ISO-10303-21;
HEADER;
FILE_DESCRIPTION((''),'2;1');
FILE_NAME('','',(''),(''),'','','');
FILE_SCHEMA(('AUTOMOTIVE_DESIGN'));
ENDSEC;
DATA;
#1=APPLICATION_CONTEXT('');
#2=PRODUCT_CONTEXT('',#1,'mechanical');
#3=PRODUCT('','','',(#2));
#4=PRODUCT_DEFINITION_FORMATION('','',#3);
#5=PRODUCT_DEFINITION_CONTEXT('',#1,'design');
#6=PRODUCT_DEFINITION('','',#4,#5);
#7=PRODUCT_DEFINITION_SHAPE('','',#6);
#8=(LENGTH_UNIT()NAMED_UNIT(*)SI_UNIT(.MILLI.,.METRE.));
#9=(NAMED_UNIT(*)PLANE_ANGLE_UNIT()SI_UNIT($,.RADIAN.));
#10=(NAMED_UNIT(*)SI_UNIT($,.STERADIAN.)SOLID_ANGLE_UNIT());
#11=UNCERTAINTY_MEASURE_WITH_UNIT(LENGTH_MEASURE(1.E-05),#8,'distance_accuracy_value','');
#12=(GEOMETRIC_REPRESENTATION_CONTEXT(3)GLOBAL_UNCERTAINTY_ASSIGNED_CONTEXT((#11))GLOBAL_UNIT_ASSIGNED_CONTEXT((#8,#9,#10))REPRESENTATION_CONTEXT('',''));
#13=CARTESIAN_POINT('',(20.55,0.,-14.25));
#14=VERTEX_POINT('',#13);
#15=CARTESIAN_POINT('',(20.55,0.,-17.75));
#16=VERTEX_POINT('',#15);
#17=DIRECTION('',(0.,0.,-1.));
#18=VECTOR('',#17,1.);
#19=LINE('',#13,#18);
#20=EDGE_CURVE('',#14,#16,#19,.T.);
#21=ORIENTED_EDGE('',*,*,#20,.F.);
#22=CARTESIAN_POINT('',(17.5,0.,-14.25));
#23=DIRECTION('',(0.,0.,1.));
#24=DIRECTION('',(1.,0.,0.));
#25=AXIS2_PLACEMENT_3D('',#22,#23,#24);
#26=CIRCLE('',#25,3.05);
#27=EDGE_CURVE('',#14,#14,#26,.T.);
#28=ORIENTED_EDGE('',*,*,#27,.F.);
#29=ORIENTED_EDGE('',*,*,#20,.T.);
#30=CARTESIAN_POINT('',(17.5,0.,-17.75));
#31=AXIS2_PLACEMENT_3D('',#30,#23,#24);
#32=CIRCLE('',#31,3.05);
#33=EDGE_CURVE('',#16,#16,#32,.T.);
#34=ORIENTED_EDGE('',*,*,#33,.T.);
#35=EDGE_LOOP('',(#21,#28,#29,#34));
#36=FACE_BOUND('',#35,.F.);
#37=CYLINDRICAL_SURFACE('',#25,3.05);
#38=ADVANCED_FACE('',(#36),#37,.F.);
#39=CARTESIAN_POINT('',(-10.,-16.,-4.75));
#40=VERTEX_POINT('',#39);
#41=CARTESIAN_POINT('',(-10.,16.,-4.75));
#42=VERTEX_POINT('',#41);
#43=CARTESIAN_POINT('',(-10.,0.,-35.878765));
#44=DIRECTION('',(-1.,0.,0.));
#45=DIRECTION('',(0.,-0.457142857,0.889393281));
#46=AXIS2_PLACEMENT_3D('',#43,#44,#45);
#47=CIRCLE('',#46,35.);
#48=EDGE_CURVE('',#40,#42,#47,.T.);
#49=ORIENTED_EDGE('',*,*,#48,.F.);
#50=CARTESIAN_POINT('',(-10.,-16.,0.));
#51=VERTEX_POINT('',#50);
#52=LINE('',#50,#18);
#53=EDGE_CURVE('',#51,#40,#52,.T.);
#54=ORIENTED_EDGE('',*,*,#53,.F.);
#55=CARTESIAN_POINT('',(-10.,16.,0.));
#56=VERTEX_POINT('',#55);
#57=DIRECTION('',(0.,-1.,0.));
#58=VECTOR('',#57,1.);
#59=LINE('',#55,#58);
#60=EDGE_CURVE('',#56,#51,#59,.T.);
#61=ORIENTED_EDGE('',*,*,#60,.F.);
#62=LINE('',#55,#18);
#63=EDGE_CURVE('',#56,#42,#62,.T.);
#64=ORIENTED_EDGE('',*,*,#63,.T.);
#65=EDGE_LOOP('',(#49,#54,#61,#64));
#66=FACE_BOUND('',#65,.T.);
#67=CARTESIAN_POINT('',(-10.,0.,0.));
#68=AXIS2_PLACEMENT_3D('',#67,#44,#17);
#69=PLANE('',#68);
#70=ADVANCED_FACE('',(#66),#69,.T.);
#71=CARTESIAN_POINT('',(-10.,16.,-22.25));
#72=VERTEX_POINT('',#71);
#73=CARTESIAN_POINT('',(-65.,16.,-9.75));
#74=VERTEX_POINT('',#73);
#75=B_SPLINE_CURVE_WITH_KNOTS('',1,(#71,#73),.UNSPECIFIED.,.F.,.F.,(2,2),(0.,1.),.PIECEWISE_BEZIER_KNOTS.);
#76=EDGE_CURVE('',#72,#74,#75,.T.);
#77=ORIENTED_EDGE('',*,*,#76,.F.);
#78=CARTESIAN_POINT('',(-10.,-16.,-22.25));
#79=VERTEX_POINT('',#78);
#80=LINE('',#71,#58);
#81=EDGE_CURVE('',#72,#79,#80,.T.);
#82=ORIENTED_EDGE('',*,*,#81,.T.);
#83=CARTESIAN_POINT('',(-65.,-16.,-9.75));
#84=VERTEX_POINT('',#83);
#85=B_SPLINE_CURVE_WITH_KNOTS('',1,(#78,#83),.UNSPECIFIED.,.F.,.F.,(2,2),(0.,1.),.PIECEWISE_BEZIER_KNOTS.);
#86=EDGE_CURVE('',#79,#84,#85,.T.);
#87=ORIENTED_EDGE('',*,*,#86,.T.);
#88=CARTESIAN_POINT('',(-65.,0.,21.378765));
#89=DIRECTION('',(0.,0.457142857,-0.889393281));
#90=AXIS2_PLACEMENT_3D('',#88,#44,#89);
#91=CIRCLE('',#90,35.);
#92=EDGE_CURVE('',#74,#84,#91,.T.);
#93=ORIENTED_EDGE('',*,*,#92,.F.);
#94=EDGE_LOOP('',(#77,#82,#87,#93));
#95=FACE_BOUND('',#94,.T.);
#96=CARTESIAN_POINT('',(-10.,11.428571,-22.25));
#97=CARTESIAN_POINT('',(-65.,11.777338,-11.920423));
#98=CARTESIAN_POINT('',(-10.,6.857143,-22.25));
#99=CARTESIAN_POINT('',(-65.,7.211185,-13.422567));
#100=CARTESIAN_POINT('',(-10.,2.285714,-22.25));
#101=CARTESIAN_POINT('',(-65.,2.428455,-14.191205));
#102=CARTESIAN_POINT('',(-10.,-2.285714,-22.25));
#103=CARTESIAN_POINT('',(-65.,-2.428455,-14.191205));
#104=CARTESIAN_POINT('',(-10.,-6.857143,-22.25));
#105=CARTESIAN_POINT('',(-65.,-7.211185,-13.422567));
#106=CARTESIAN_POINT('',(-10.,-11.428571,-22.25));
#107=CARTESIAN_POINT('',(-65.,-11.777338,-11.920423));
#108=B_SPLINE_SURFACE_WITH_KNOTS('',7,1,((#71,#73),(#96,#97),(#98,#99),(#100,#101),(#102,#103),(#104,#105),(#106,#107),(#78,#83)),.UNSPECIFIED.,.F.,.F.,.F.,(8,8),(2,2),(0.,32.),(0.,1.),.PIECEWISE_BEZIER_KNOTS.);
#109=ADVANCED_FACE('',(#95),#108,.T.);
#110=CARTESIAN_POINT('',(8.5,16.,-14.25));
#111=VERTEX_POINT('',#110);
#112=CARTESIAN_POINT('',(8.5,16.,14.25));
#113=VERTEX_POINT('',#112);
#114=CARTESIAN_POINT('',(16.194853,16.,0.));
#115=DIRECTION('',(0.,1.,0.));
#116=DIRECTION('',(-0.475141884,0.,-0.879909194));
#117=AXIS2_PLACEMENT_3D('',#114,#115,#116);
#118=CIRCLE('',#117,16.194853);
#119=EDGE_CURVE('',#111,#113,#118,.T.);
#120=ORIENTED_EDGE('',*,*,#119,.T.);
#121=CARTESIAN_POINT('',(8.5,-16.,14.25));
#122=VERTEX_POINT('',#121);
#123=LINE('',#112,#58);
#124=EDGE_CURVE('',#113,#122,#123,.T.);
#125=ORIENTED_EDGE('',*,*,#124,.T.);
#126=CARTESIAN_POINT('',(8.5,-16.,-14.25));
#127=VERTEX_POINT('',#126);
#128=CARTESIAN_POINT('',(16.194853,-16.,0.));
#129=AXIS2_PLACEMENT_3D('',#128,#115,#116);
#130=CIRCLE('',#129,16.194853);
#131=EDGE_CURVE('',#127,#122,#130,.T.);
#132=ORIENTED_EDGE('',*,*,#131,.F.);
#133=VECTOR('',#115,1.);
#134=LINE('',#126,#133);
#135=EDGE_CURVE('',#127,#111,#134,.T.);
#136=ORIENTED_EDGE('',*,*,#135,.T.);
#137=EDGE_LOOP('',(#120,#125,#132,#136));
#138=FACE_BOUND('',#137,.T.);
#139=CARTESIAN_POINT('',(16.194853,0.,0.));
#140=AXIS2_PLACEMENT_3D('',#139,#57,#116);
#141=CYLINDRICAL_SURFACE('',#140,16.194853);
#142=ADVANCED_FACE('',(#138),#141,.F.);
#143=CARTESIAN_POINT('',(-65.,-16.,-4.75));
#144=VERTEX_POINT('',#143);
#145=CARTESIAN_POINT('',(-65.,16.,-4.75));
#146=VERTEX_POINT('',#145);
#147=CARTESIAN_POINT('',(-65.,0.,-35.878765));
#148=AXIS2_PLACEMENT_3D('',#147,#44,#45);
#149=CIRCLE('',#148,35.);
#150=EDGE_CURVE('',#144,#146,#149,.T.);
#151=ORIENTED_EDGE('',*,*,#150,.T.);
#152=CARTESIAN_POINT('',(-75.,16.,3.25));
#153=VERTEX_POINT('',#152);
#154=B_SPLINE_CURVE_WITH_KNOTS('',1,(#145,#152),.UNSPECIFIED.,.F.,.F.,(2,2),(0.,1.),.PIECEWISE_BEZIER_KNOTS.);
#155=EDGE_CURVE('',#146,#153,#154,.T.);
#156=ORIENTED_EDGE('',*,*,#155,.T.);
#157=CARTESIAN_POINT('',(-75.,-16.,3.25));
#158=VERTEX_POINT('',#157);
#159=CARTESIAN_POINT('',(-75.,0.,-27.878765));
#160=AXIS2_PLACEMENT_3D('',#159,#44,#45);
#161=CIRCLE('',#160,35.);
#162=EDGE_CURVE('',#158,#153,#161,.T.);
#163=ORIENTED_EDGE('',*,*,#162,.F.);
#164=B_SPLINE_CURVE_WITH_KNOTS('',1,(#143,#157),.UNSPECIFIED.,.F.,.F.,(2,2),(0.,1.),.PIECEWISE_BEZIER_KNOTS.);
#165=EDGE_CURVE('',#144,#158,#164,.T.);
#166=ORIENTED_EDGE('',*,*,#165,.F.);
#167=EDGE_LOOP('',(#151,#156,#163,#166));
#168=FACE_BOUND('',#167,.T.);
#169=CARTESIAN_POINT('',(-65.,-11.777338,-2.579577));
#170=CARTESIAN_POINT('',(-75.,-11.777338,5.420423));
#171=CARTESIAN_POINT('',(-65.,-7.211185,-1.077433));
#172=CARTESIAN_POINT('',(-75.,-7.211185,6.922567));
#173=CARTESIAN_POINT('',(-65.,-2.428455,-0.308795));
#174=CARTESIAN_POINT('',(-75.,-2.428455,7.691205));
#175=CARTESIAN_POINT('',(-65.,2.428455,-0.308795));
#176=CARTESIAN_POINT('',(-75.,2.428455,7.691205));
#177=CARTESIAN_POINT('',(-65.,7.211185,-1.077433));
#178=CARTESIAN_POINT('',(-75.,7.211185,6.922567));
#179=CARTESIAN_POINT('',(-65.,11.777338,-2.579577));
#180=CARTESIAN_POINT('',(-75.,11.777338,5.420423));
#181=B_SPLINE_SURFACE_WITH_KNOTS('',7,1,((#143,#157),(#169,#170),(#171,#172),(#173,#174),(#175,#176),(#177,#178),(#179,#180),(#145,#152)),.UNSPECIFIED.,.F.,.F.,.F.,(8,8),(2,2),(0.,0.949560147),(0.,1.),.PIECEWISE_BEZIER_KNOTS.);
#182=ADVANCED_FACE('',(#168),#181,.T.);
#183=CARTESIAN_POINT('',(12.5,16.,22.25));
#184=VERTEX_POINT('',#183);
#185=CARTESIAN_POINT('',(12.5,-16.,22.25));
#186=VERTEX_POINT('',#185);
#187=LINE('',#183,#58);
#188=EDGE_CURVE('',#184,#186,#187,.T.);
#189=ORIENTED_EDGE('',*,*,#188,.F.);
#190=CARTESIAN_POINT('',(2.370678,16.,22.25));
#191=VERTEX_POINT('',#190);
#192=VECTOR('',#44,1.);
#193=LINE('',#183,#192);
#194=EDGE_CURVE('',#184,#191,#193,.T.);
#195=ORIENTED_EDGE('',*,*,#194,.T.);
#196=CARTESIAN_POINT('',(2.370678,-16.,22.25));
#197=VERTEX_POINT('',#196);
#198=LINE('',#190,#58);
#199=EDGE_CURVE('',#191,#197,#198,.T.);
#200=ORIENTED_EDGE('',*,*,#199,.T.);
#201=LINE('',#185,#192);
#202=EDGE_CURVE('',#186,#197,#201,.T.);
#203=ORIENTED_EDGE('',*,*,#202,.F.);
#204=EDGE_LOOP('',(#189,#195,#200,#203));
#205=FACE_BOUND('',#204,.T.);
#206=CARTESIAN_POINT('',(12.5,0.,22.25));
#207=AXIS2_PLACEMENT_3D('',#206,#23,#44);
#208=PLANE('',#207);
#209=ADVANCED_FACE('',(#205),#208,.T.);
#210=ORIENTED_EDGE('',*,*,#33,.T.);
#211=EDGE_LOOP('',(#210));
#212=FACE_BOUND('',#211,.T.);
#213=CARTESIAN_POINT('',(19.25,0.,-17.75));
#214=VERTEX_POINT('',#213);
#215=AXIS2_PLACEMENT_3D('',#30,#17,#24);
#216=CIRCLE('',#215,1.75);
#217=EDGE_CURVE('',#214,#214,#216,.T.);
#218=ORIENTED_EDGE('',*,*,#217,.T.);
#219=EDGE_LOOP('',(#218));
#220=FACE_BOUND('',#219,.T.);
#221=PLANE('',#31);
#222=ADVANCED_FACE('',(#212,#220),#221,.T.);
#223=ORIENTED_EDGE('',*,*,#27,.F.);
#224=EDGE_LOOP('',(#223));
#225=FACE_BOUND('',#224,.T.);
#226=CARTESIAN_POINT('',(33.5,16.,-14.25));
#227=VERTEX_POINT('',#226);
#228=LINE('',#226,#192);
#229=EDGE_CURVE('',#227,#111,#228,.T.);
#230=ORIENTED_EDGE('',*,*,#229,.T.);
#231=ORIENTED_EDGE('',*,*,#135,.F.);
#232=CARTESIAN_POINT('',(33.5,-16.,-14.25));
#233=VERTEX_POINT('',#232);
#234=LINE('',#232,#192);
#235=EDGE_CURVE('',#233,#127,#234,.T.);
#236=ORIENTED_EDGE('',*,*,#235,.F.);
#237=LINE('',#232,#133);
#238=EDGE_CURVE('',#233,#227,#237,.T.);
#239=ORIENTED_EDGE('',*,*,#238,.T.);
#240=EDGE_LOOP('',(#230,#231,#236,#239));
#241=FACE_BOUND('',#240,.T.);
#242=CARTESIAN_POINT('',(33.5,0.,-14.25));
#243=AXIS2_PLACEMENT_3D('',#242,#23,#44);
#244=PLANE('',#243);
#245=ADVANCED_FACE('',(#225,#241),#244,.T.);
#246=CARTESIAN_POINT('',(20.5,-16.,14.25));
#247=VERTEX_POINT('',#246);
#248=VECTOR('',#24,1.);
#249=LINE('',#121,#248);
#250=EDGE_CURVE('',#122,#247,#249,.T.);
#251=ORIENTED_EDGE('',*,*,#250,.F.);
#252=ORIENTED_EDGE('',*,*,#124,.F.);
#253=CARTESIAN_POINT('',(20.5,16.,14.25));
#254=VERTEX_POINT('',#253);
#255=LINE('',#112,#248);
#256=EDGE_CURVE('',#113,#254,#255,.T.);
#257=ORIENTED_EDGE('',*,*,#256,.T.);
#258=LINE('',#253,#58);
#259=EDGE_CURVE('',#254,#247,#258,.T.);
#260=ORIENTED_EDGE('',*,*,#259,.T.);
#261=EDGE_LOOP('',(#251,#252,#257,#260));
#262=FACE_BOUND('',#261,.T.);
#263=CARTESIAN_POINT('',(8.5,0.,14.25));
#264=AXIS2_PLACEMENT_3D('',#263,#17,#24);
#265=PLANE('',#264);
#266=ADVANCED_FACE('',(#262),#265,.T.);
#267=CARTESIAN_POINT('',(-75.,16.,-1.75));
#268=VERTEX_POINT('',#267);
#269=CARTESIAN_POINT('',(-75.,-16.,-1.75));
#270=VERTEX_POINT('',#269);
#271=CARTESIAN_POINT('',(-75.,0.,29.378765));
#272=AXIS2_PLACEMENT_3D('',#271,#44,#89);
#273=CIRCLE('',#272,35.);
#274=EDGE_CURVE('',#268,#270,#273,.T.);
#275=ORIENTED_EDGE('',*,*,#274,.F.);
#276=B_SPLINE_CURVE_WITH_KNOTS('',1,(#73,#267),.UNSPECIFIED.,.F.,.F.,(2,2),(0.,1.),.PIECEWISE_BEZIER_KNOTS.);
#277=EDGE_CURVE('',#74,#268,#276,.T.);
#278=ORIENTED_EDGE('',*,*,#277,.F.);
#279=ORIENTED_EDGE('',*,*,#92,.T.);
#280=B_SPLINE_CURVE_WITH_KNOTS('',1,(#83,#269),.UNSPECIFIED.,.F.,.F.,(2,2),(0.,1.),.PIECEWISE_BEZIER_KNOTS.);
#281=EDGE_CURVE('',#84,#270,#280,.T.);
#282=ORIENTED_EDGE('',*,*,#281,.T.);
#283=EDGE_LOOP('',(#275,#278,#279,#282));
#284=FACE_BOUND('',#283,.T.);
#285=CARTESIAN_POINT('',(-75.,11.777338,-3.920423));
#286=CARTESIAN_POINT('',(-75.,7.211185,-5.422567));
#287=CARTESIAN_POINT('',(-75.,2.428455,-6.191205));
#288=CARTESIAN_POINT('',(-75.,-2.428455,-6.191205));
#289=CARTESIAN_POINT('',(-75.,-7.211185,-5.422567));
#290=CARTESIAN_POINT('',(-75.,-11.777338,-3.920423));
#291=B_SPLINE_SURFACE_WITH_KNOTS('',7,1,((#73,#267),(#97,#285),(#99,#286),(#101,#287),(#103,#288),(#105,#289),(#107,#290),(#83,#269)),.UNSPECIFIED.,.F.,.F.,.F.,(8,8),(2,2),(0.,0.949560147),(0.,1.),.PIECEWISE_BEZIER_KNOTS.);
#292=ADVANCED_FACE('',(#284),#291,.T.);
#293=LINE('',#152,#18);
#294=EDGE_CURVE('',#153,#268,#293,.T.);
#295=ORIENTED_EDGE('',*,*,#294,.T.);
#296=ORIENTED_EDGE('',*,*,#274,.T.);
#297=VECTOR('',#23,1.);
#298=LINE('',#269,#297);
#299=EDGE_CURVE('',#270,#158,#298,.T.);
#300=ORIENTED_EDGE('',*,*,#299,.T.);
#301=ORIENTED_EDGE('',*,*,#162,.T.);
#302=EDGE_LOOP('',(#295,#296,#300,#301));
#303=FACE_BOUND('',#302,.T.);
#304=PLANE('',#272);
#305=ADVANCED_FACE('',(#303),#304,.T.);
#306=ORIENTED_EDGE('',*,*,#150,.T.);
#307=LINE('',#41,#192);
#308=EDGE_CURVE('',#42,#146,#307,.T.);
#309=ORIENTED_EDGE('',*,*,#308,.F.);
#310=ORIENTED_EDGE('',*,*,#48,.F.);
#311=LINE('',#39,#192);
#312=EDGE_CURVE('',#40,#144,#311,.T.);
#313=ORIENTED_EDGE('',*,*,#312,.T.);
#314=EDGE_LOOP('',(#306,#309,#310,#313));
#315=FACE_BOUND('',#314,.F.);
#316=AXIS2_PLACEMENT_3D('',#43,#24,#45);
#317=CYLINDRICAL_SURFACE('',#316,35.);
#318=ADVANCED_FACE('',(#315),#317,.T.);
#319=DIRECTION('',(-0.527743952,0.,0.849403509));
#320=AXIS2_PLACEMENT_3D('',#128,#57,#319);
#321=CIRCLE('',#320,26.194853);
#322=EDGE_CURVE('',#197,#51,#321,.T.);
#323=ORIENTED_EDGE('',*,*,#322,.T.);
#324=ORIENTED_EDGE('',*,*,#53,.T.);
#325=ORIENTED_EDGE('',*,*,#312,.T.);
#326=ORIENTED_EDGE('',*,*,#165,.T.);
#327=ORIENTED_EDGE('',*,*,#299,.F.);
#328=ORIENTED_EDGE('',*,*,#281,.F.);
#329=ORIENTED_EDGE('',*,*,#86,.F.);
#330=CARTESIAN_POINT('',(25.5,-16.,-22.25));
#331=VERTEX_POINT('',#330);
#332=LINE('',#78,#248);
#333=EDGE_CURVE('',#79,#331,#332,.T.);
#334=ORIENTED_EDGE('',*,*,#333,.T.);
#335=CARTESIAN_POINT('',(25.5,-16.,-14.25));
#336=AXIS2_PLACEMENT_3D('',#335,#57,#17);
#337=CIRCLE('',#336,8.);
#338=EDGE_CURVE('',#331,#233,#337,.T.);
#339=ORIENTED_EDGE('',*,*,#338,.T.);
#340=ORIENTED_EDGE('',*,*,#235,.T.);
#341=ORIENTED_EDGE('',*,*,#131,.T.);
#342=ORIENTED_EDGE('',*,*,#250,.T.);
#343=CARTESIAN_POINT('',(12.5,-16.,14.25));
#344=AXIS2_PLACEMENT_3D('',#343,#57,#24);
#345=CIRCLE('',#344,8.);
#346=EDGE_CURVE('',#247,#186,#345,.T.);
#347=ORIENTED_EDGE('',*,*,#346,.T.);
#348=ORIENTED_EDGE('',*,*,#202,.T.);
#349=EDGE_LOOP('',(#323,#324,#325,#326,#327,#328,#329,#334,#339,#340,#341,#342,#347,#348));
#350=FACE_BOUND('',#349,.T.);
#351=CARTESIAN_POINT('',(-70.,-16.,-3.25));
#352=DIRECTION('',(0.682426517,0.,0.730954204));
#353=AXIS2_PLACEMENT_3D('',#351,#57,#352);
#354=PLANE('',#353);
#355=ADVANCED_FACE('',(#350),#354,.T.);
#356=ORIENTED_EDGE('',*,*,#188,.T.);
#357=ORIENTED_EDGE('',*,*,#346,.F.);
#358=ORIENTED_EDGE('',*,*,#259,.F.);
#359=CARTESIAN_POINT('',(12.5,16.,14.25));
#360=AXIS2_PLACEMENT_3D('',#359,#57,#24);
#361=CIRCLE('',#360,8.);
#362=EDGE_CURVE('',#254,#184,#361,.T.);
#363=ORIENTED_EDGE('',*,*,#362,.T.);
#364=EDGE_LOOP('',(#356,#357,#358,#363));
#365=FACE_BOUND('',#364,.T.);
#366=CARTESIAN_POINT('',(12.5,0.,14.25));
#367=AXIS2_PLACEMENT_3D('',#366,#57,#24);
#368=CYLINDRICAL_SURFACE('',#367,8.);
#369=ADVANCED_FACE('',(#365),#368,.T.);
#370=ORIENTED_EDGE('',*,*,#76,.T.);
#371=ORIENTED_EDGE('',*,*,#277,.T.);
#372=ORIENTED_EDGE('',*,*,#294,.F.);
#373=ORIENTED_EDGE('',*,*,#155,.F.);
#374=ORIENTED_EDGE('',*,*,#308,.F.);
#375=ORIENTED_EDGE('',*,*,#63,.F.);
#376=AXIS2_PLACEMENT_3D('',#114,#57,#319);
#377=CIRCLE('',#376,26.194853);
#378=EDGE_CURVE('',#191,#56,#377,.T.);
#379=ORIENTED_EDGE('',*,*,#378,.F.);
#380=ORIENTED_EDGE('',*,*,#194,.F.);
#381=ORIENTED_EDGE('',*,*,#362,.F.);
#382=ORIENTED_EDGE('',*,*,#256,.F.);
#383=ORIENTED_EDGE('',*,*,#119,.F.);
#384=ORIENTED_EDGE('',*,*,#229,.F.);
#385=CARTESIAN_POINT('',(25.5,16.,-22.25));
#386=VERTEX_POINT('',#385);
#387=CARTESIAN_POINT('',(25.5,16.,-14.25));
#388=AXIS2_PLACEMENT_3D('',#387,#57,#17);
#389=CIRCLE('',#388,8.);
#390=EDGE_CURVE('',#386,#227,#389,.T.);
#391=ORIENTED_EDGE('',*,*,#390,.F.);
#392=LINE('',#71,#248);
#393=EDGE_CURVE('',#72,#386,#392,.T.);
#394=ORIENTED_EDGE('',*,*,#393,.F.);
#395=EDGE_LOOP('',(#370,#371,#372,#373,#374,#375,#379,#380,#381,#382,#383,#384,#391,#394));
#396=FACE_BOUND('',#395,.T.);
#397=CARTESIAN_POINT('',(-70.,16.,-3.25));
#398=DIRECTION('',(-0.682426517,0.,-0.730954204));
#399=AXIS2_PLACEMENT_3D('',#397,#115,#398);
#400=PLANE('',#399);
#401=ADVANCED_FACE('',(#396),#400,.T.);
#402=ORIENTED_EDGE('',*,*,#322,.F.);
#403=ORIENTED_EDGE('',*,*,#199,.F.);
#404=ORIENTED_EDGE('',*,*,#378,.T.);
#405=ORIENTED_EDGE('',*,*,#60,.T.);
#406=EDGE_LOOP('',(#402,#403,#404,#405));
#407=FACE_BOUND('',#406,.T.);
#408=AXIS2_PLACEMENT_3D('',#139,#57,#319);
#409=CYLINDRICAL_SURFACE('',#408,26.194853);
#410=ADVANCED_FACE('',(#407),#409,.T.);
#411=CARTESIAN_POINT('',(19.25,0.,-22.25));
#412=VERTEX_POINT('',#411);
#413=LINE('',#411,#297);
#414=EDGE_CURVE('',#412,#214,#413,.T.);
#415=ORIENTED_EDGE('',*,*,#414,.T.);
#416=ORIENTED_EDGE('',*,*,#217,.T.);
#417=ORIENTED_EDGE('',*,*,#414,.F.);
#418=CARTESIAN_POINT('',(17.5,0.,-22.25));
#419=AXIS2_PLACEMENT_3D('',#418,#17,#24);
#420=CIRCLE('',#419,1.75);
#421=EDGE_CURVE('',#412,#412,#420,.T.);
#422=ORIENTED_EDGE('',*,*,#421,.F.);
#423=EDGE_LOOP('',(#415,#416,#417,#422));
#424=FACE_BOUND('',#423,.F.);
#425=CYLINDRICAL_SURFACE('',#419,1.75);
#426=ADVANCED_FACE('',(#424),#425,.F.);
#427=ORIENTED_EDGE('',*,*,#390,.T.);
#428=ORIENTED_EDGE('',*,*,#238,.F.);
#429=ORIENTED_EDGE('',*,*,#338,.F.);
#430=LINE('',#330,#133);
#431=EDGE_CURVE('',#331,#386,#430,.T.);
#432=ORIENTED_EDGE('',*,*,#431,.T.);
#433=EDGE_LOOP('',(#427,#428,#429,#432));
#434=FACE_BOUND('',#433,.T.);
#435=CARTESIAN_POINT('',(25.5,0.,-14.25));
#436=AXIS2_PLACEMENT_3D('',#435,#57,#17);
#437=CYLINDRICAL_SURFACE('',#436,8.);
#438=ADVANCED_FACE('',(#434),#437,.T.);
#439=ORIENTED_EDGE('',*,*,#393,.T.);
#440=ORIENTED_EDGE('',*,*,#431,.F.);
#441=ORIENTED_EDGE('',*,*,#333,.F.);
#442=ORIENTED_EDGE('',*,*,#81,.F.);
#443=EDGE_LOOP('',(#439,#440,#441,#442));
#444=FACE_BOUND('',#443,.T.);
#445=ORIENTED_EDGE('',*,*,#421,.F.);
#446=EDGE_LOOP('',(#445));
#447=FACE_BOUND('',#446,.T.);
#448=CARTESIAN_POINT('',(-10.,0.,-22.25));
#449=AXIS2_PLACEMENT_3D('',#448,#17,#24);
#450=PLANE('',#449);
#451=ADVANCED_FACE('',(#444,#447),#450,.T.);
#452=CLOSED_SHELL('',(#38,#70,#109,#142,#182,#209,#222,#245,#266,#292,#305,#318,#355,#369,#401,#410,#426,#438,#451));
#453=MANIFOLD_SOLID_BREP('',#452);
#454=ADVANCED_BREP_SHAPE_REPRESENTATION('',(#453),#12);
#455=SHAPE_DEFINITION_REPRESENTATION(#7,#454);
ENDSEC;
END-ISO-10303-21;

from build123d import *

# Parameters (mm, degrees)
F1_DEPTH      = 16
F1_DEPTH_BACK = 16
F3_DEPTH      = 55
F8_R          = 1.75
F9_DEPTH      = 25
F10_R         = 3.05
F11_DEPTH     = 3.5


with BuildPart() as f1:
    # F0 (on Front) → F1 (new body, two sides)
    with BuildSketch(Plane.XZ) as f1_sk:
        with BuildLine():
            ThreePointArc((8.5, -14.25), (0, 0), (8.5, 14.25))
            Line((8.5, 14.25), (20.5, 14.25))
            ThreePointArc((20.5, 14.25), (18.1568542495, 19.9068542495), (12.5, 22.25))
            Line((12.5, 22.25), (2.3706777177, 22.25))
            ThreePointArc((2.3706777177, 22.25), (-6.6993882302, 12.7288664774), (-10, 0))
            Line((-10, 0), (-10, -22.25))
            Line((-10, -22.25), (25.5, -22.25))
            ThreePointArc((25.5, -22.25), (31.1568542495, -19.9068542495), (33.5, -14.25))
            Line((33.5, -14.25), (8.5, -14.25))
        make_face()
    extrude(amount=F1_DEPTH)
    extrude(f1_sk.sketch, amount=-F1_DEPTH_BACK)

    # F2 (on face) → F3 (join)
    with BuildSketch(Plane(origin=(-10, 0, 0), x_dir=(0, -1, 0), z_dir=(-1, 0, 0))):
        with BuildLine():
            Line((16, -9.75), (16, -4.75))
            ThreePointArc((16, -4.75), (0, -0.8787648325), (-16, -4.75))
            Line((-16, -4.75), (-16, -9.75))
            ThreePointArc((-16, -9.75), (0, -13.6212351675), (16, -9.75))
        make_face()
    extrude(amount=F3_DEPTH)

    # F3_face (on face) → F5 section 0
    with BuildSketch(Plane(origin=(-10, 0, -17.2392152615), x_dir=(0, -1, 0), z_dir=(-1, 0, 0))):
        with BuildLine():
            ThreePointArc((16, 7.4892152615), (0, 3.617980094), (-16, 7.4892152615))
            Line((-16, 7.4892152615), (-16, -5.0107847385))
            Line((-16, -5.0107847385), (16, -5.0107847385))
            Line((16, -5.0107847385), (16, 7.4892152615))
        make_face()
    # F3_face1 (on face) → F5 section 1
    with BuildSketch(Plane(origin=(-65, 0, -7.25), x_dir=(0, -1, 0), z_dir=(-1, 0, 0))):
        with BuildLine():
            Line((-16, 2.5), (-16, -2.5))
            ThreePointArc((-16, -2.5), (0, -6.3712351675), (16, -2.5))
            Line((16, -2.5), (16, 2.5))
            ThreePointArc((16, 2.5), (0, 6.3712351675), (-16, 2.5))
        make_face()
    loft()

    # F3_face1 (on face) → F7 section 0
    with BuildSketch(Plane(origin=(-65, 0, -7.25), x_dir=(0, -1, 0), z_dir=(-1, 0, 0))):
        with BuildLine():
            Line((-16, 2.5), (-16, -2.5))
            ThreePointArc((-16, -2.5), (0, -6.3712351675), (16, -2.5))
            Line((16, -2.5), (16, 2.5))
            ThreePointArc((16, 2.5), (0, 6.3712351675), (-16, 2.5))
        make_face()
    # F6 (on offset) → F7 section 1
    with BuildSketch(Plane(origin=(-75, 0, 0), x_dir=(0, -1, 0), z_dir=(-1, 0, 0))):
        with BuildLine():
            ThreePointArc((-16, -1.75), (0, -5.6212351675), (16, -1.75))
            Line((16, -1.75), (16, 3.25))
            ThreePointArc((16, 3.25), (0, 7.1212351675), (-16, 3.25))
            Line((-16, 3.25), (-16, -1.75))
        make_face()
    loft()

    # F8 (on face) → F9 (cut)
    with BuildSketch(Plane(origin=(0, 0, -22.25), x_dir=(1, 0, 0), z_dir=(0, 0, -1))):
        with Locations((17.5, 0)):
            Circle(F8_R)
    extrude(amount=-F9_DEPTH, mode=Mode.SUBTRACT)

    # F10 (on face) → F11 (cut)
    with BuildSketch(Plane.XY.offset(-14.25)):
        with Locations((17.5, 0)):
            Circle(F10_R)
    extrude(amount=-F11_DEPTH, mode=Mode.SUBTRACT)


solid = f1.part
